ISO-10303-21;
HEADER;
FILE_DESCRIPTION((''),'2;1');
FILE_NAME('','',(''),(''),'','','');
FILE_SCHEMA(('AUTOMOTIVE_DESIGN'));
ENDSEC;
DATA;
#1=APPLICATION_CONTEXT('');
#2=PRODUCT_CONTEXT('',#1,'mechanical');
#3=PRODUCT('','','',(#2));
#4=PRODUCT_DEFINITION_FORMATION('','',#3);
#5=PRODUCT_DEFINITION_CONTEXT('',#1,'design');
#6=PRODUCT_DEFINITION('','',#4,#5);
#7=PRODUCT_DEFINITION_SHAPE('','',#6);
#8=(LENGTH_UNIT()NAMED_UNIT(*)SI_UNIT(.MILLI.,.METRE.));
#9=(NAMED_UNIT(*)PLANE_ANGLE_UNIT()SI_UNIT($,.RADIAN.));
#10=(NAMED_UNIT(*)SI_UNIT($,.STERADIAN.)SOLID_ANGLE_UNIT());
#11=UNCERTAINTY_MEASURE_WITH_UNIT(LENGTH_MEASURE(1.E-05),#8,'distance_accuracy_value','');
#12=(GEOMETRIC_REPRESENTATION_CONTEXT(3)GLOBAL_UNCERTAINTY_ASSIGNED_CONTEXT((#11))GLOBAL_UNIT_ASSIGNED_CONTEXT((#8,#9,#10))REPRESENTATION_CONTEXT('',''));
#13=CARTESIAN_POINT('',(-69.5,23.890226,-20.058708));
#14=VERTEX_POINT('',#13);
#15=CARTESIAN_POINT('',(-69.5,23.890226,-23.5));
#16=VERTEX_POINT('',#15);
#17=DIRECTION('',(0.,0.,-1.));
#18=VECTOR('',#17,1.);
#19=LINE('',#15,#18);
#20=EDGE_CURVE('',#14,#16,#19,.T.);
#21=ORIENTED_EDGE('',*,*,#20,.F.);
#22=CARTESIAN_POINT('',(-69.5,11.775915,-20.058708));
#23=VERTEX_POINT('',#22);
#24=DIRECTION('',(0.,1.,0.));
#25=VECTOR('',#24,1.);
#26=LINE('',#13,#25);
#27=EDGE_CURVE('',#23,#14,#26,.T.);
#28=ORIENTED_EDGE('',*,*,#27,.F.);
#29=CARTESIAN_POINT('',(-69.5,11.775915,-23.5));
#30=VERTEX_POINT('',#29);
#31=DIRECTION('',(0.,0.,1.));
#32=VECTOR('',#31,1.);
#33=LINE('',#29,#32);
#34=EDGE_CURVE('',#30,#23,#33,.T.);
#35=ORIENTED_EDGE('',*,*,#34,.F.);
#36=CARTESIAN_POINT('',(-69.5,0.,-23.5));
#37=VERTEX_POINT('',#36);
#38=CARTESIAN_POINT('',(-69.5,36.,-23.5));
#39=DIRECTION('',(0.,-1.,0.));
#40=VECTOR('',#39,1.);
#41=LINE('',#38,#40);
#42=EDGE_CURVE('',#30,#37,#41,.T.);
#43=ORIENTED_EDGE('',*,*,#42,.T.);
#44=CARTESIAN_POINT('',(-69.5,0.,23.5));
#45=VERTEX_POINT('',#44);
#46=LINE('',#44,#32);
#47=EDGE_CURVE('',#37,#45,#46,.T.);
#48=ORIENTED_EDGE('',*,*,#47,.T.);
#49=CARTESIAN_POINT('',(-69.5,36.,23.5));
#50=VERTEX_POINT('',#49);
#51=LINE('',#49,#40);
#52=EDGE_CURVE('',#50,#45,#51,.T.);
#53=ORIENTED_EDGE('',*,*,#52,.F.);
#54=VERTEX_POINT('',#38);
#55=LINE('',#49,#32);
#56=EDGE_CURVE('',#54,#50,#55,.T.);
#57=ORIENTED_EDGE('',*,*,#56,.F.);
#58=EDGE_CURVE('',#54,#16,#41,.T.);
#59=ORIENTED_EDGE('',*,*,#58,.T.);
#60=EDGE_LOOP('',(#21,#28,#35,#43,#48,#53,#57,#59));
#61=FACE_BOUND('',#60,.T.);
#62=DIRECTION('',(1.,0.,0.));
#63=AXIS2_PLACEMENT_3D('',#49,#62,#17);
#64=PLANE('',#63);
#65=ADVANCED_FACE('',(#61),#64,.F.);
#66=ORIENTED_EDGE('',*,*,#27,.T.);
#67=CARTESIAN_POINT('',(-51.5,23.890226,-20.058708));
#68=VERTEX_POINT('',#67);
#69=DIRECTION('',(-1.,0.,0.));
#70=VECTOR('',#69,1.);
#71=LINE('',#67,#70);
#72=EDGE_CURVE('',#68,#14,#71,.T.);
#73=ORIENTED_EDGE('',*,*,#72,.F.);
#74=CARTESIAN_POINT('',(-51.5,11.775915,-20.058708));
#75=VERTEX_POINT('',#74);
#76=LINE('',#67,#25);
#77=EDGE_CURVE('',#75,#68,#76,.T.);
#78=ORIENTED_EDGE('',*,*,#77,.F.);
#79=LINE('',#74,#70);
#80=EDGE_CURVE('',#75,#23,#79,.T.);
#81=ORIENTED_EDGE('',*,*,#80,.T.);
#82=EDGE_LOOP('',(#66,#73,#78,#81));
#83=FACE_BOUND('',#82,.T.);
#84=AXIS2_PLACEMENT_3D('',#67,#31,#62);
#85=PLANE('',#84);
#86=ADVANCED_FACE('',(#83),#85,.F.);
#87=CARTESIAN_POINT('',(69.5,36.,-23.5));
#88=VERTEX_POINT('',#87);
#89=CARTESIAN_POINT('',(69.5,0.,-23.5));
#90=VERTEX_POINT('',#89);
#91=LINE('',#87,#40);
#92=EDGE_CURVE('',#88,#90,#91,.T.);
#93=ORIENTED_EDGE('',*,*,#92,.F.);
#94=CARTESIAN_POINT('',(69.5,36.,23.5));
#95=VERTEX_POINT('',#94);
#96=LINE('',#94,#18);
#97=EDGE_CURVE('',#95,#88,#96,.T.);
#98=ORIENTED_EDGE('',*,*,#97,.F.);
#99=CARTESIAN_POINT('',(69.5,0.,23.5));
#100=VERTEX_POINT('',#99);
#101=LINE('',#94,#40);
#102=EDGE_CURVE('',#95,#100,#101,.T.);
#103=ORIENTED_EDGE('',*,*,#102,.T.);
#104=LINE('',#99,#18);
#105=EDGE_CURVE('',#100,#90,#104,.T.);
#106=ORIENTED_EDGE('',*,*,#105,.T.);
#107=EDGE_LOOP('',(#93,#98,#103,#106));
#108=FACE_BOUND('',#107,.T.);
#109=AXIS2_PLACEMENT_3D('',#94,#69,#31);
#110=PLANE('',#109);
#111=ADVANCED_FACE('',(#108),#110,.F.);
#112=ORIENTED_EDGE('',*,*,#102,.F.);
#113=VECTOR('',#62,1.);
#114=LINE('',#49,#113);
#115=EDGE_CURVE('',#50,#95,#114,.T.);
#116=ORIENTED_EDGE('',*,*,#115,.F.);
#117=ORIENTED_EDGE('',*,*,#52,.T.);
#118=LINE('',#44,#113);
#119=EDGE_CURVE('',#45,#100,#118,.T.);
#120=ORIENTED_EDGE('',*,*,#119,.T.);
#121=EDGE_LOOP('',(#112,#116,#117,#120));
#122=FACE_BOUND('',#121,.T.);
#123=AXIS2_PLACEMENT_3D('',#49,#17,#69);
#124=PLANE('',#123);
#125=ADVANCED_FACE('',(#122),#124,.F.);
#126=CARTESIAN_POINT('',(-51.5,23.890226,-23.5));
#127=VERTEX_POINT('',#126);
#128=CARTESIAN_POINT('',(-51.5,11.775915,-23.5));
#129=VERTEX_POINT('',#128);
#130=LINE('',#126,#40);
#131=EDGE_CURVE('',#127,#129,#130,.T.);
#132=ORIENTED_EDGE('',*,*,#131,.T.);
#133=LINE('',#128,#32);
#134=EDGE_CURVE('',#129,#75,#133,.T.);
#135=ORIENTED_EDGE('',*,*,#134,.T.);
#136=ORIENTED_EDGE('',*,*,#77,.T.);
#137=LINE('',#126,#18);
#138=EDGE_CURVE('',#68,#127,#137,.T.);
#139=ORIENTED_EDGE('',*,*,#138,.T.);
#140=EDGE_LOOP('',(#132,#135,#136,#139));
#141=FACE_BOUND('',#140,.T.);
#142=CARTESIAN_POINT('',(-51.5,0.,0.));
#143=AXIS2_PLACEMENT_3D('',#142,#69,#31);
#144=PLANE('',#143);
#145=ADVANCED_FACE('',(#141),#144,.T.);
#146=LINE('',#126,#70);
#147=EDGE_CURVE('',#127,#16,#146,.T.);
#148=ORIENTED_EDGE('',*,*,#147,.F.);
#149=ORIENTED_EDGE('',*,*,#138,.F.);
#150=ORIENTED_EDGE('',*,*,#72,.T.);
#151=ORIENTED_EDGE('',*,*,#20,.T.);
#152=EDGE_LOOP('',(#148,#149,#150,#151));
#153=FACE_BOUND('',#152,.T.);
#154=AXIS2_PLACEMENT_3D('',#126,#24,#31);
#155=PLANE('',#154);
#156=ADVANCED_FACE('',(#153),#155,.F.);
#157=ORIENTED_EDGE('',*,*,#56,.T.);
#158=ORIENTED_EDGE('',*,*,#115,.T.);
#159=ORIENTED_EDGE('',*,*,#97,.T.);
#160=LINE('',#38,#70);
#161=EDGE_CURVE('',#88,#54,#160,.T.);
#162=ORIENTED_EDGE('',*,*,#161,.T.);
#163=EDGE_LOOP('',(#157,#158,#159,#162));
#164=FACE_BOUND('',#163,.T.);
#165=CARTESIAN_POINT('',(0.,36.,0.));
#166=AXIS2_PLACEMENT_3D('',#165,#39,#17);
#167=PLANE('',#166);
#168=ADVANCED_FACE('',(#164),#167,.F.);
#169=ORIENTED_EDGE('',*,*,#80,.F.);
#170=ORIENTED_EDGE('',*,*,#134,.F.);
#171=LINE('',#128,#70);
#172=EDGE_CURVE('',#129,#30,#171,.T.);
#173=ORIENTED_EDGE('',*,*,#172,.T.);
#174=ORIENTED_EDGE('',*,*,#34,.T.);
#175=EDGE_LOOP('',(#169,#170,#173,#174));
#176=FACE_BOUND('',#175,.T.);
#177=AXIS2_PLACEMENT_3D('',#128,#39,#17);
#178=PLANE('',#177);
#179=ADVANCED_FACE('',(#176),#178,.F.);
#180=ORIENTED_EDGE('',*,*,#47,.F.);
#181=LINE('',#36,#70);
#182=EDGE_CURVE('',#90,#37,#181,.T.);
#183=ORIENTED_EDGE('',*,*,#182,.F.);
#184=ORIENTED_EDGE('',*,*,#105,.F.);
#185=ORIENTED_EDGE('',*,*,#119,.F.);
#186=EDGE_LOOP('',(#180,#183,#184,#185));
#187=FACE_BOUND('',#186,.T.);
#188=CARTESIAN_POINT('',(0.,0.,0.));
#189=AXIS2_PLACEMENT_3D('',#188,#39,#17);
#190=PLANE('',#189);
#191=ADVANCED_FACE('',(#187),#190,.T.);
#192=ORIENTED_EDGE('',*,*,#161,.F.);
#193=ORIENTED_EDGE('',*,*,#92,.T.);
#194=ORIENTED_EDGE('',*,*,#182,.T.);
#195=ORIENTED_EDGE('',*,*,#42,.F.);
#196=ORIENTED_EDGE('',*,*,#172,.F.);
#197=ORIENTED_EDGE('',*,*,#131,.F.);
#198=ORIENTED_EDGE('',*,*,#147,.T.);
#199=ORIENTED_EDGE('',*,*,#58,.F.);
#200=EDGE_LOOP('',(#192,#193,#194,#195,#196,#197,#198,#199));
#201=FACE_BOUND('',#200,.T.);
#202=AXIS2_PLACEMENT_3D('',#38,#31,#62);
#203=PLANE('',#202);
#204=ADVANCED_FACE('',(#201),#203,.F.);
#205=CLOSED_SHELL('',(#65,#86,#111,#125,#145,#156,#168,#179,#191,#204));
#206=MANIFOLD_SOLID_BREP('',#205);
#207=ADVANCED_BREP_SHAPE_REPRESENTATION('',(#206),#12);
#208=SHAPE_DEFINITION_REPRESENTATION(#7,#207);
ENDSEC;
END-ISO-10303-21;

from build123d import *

# Parameters (mm, degrees)
SKETCH1_W           = 139
SKETCH1_H           = 47
BOSS_EXTRUDE1_DEPTH = 36
SKETCH2_W           = 3.441292391
SKETCH2_H           = 12.114310201
CUT_EXTRUDE1_DEPTH  = 18


with BuildPart() as part:
    # Sketch1 → Boss-Extrude1 (new body)
    with BuildSketch(Plane(origin=(0, 0, 0), x_dir=(1, 0, 0), z_dir=(0, 1, 0))):
        Rectangle(SKETCH1_W, SKETCH1_H)
    extrude(amount=BOSS_EXTRUDE1_DEPTH)

    # Sketch2 → Cut-Extrude1 (cut)
    with BuildSketch(Plane.ZY.offset(69.5)):
        with Locations((-21.779353805, 17.833070529)):
            Rectangle(SKETCH2_W, SKETCH2_H)
    extrude(amount=-CUT_EXTRUDE1_DEPTH, mode=Mode.SUBTRACT)


solid = part.part
